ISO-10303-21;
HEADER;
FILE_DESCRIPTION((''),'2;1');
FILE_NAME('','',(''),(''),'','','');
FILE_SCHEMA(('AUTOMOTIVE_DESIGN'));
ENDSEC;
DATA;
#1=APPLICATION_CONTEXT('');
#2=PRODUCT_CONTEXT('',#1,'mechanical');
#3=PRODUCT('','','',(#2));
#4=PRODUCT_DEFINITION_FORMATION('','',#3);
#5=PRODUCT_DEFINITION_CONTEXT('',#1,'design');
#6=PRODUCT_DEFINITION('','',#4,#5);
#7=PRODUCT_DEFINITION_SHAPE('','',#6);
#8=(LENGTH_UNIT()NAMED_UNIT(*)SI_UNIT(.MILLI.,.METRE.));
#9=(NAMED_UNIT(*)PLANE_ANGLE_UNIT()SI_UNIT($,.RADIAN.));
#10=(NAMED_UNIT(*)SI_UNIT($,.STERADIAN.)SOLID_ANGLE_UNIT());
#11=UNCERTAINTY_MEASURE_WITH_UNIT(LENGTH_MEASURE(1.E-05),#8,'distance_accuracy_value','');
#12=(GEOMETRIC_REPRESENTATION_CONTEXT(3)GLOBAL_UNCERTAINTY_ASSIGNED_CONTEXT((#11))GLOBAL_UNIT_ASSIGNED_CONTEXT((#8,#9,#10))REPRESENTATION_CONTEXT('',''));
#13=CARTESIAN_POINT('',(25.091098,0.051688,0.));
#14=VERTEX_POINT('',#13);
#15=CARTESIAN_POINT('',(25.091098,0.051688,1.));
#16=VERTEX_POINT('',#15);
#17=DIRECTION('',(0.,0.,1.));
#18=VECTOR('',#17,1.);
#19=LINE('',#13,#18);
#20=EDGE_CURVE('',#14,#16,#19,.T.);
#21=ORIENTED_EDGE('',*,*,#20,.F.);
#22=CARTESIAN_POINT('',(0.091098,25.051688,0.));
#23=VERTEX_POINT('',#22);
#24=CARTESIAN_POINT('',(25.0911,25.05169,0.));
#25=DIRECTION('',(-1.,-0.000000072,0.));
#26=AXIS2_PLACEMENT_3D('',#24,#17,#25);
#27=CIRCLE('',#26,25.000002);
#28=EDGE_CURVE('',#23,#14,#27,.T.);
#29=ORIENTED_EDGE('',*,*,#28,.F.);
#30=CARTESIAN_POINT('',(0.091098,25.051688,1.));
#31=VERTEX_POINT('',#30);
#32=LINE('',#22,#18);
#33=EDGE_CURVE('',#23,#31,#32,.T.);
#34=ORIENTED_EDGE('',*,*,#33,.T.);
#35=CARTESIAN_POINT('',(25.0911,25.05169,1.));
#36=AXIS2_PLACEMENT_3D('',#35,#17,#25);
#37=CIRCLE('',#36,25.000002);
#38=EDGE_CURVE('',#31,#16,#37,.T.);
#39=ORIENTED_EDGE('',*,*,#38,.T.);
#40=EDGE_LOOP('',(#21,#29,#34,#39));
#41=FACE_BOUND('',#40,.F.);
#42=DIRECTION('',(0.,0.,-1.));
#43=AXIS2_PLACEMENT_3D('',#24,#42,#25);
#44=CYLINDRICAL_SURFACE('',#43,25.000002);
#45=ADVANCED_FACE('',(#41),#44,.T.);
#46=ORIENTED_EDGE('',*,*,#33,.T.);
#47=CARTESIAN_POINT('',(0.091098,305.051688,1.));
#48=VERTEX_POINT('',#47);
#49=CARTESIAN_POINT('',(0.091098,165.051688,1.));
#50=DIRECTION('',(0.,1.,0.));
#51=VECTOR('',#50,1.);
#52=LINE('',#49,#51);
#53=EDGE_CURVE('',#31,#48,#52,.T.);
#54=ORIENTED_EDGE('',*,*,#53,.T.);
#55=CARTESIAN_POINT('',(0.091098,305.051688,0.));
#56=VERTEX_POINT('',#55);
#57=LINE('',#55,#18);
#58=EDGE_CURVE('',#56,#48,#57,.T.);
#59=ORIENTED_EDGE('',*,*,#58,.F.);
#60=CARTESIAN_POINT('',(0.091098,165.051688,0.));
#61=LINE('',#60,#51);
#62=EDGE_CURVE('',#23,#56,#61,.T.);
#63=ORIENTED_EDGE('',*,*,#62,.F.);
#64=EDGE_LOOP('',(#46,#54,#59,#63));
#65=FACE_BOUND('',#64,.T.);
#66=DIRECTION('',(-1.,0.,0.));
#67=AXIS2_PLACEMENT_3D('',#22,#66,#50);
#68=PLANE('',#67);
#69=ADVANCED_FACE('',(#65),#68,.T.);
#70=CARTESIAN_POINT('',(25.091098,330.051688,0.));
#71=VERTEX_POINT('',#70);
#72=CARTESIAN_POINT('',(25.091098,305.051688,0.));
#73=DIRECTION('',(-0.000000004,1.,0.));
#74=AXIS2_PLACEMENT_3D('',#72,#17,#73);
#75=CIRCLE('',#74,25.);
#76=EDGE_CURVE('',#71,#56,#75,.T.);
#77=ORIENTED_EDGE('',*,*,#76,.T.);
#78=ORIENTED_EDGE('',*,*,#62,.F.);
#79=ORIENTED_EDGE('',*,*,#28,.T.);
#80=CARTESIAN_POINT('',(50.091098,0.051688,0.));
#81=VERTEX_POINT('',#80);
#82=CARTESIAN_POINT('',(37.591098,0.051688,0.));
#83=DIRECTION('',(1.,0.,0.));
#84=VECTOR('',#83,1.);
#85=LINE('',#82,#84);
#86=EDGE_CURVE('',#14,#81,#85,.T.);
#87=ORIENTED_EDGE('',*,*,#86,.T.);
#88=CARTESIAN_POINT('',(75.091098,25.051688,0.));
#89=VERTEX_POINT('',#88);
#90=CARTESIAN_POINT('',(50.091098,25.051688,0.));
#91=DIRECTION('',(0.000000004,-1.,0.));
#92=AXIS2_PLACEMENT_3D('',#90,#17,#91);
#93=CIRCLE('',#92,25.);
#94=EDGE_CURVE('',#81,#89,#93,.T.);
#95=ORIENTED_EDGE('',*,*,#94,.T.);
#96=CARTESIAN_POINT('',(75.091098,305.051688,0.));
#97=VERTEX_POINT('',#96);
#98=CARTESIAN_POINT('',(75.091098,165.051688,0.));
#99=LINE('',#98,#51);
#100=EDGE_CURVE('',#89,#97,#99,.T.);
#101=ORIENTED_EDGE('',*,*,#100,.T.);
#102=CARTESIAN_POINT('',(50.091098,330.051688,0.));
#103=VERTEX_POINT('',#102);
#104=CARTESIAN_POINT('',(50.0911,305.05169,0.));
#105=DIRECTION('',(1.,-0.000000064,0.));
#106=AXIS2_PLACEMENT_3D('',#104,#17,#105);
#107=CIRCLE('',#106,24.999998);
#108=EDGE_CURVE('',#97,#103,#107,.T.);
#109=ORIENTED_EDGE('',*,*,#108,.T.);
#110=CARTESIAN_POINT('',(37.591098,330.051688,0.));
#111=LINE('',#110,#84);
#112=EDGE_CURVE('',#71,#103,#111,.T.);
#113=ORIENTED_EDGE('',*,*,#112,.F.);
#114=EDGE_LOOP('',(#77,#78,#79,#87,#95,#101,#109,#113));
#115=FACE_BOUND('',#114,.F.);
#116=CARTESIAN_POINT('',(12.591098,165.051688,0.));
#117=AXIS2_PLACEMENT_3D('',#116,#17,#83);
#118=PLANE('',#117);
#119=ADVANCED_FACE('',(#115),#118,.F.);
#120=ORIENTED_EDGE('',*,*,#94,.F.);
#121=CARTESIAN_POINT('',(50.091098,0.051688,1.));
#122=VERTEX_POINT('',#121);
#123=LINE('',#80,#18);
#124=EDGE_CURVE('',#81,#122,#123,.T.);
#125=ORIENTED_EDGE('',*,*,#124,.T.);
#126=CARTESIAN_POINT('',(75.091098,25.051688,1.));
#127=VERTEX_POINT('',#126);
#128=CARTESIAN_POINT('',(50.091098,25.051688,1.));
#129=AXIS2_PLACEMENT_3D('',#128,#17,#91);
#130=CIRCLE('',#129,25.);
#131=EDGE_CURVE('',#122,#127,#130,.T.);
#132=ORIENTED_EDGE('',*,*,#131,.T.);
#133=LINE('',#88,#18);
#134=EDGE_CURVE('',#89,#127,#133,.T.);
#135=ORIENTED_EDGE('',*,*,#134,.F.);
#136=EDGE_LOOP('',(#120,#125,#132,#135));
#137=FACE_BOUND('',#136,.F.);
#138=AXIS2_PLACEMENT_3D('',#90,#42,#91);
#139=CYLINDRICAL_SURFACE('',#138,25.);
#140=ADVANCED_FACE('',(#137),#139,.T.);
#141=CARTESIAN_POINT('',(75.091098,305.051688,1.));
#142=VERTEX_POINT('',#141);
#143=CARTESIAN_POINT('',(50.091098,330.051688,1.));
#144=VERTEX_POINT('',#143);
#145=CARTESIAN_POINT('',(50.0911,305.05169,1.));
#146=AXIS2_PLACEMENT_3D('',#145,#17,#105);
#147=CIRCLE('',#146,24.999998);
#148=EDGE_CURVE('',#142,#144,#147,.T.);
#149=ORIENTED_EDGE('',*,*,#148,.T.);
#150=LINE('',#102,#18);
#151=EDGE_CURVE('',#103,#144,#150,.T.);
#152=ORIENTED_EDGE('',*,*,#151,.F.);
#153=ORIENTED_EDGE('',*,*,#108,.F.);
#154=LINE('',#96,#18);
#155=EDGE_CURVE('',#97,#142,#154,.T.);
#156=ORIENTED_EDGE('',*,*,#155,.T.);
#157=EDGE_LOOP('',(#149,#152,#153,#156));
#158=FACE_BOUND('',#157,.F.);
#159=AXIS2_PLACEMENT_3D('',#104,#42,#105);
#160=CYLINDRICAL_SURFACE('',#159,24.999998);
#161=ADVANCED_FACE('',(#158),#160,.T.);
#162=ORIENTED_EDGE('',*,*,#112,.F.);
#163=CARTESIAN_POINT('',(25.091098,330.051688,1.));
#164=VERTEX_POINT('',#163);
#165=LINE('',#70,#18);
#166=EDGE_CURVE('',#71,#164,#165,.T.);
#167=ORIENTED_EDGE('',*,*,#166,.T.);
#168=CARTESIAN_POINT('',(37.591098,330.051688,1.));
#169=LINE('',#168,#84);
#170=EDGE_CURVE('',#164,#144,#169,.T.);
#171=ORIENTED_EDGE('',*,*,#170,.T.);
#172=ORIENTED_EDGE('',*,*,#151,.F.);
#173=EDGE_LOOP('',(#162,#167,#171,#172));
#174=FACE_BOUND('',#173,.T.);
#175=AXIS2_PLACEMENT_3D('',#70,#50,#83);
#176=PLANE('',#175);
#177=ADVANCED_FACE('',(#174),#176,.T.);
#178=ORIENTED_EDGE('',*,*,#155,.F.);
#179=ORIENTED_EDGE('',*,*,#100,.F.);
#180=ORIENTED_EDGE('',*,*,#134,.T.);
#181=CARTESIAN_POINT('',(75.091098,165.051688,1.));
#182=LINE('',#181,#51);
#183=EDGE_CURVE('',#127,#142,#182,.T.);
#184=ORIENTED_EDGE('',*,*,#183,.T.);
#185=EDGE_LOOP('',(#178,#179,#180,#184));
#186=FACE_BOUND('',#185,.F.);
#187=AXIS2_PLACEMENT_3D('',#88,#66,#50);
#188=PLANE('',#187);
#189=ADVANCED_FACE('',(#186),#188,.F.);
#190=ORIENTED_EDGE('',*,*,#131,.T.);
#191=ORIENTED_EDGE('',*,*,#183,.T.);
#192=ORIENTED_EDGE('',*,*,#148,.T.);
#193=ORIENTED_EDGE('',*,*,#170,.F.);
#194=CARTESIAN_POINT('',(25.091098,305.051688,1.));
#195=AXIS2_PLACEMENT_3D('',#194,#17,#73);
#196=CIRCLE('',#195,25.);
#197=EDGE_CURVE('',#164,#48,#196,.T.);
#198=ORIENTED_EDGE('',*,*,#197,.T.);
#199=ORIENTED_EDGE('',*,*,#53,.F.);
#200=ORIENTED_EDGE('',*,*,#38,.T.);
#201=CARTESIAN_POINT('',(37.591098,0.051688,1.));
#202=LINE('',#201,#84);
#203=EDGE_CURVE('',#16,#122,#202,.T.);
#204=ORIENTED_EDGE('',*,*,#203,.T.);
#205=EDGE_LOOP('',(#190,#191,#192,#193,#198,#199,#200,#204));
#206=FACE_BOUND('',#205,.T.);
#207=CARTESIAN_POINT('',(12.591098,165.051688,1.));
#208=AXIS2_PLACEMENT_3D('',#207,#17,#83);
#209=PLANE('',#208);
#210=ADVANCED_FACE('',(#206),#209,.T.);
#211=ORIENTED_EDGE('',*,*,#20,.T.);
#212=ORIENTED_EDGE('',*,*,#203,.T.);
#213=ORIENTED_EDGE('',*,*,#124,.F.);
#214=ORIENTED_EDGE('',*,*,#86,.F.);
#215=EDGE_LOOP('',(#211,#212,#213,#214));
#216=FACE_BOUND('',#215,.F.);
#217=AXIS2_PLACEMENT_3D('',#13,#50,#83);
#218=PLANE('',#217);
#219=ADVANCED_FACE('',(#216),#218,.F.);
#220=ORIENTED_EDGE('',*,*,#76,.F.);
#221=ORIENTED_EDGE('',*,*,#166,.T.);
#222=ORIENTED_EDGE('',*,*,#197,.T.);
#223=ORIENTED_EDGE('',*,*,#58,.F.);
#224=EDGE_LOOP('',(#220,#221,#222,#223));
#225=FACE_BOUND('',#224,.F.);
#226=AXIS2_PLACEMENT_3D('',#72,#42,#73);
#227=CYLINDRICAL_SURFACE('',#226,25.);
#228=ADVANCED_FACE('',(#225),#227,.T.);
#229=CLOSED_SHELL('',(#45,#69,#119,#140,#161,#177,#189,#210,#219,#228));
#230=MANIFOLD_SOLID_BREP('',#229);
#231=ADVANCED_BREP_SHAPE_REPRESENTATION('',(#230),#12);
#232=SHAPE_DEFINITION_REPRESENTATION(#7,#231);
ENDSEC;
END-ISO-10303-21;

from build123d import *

# Parameters (mm, degrees)
F0_W     = 25
F0_H     = 280
F0_H_2   = 25
F1_DEPTH = 1


with BuildPart() as f1:
    # F0 (on Top) → F1 (new body)
    with BuildSketch(Plane.XY):
        with Locations((12.591098, 165.051688)):
            Rectangle(F0_W, F0_H)
        with Locations((37.591098, 165.051688)):
            Rectangle(F0_W, F0_H)
        with Locations((62.591098, 165.051688)):
            Rectangle(F0_W, F0_H)
        with BuildLine():
            Line((75.091098, 25.051688), (50.091098, 25.051688))
            Line((50.091098, 25.051688), (50.091098, 0.051688))
            ThreePointArc((50.091098, 0.051688), (67.768768, 7.374019), (75.091098, 25.051688))
        make_face()
        with Locations((37.591098, 12.551688)):
            Rectangle(F0_W, F0_H_2)
        with BuildLine():
            Line((25.091098, 0.051688), (25.091098, 25.051688))
            Line((25.091098, 25.051688), (0.091098, 25.051688))
            ThreePointArc((0.091098, 25.051688), (7.413429, 7.374019), (25.091098, 0.051688))
        make_face()
        with BuildLine():
            Line((0.091098, 305.051688), (25.091098, 305.051688))
            Line((25.091098, 305.051688), (25.091098, 330.051688))
            ThreePointArc((25.091098, 330.051688), (7.413429, 322.729358), (0.091098, 305.051688))
        make_face()
        with Locations((37.591098, 317.551688)):
            Rectangle(F0_W, F0_H_2)
        with BuildLine():
            Line((50.091098, 330.051688), (50.091098, 305.051688))
            Line((50.091098, 305.051688), (75.091098, 305.051688))
            ThreePointArc((75.091098, 305.051688), (67.768768, 322.729358), (50.091098, 330.051688))
        make_face()
    extrude(amount=F1_DEPTH)


solid = f1.part
